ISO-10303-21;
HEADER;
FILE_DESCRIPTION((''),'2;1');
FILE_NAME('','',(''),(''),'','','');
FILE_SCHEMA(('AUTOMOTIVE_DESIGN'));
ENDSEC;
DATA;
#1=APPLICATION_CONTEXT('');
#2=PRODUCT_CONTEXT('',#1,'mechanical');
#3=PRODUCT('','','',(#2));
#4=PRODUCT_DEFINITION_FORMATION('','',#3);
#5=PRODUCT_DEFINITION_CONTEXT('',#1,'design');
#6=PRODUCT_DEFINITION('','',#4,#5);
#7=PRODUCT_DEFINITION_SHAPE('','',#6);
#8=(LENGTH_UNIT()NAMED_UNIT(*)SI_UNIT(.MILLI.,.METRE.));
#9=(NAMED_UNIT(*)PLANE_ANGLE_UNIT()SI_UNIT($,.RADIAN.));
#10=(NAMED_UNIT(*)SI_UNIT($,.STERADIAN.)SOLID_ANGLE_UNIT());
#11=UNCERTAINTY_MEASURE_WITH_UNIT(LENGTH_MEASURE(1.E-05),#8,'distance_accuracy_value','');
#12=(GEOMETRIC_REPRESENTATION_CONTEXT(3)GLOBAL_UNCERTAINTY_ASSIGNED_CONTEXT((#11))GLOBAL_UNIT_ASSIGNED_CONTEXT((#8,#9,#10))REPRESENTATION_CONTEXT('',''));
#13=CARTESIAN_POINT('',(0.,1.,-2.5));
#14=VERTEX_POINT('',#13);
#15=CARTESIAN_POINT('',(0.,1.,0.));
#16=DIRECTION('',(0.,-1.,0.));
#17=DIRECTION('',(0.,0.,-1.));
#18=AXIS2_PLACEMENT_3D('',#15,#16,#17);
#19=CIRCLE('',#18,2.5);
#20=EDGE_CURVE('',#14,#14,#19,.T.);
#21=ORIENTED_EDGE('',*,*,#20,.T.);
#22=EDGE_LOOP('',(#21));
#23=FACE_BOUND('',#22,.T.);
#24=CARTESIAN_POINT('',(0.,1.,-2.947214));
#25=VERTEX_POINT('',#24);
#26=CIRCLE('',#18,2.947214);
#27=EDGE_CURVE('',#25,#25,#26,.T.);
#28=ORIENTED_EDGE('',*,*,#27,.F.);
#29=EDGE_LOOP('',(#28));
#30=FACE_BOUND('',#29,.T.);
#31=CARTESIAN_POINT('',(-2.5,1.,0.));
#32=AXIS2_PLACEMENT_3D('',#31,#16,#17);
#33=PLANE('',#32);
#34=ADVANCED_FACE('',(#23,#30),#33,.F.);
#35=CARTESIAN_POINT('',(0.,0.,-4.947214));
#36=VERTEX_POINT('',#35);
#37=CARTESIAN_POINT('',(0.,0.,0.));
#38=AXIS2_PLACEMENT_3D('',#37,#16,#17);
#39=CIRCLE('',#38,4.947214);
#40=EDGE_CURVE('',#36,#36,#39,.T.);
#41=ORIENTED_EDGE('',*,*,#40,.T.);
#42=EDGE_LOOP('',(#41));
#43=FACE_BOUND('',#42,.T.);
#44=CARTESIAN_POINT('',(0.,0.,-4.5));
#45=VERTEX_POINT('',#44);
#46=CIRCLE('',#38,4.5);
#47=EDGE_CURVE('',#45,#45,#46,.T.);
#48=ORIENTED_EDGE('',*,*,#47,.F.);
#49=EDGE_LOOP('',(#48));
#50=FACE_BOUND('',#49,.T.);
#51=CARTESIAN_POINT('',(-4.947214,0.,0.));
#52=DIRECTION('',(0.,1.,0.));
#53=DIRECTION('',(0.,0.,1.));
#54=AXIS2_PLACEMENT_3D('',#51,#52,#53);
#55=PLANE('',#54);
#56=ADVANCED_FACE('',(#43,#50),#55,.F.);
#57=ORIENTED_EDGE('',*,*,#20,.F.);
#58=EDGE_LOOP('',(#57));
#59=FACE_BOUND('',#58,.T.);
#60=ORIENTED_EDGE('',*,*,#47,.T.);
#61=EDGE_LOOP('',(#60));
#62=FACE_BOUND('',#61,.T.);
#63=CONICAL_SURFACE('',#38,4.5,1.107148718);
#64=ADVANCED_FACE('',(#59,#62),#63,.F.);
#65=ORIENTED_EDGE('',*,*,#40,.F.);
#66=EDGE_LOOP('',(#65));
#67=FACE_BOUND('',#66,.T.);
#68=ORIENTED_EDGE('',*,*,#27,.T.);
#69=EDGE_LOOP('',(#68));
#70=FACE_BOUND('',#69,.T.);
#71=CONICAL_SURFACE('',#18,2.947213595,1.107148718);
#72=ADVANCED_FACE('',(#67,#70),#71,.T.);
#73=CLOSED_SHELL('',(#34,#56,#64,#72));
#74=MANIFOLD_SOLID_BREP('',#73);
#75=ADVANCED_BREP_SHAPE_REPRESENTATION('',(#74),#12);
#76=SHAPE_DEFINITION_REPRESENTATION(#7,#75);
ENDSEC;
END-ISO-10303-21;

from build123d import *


with BuildPart() as part:
    # Çizim1 → Döndür1 (revolve)
    with BuildSketch(Plane.XY, mode=Mode.PRIVATE) as d_nd_r1_sk:
        Polygon((-4.5, 0), (-2.5, 1), (-2.947213595, 1), (-4.947213595, 0), align=None)
    revolve(d_nd_r1_sk.sketch.rotate(Axis((0, 0, 0), (0, 1, 0)), 270), axis=Axis((0, 0, 0), (0, 1, 0)))


solid = part.part
